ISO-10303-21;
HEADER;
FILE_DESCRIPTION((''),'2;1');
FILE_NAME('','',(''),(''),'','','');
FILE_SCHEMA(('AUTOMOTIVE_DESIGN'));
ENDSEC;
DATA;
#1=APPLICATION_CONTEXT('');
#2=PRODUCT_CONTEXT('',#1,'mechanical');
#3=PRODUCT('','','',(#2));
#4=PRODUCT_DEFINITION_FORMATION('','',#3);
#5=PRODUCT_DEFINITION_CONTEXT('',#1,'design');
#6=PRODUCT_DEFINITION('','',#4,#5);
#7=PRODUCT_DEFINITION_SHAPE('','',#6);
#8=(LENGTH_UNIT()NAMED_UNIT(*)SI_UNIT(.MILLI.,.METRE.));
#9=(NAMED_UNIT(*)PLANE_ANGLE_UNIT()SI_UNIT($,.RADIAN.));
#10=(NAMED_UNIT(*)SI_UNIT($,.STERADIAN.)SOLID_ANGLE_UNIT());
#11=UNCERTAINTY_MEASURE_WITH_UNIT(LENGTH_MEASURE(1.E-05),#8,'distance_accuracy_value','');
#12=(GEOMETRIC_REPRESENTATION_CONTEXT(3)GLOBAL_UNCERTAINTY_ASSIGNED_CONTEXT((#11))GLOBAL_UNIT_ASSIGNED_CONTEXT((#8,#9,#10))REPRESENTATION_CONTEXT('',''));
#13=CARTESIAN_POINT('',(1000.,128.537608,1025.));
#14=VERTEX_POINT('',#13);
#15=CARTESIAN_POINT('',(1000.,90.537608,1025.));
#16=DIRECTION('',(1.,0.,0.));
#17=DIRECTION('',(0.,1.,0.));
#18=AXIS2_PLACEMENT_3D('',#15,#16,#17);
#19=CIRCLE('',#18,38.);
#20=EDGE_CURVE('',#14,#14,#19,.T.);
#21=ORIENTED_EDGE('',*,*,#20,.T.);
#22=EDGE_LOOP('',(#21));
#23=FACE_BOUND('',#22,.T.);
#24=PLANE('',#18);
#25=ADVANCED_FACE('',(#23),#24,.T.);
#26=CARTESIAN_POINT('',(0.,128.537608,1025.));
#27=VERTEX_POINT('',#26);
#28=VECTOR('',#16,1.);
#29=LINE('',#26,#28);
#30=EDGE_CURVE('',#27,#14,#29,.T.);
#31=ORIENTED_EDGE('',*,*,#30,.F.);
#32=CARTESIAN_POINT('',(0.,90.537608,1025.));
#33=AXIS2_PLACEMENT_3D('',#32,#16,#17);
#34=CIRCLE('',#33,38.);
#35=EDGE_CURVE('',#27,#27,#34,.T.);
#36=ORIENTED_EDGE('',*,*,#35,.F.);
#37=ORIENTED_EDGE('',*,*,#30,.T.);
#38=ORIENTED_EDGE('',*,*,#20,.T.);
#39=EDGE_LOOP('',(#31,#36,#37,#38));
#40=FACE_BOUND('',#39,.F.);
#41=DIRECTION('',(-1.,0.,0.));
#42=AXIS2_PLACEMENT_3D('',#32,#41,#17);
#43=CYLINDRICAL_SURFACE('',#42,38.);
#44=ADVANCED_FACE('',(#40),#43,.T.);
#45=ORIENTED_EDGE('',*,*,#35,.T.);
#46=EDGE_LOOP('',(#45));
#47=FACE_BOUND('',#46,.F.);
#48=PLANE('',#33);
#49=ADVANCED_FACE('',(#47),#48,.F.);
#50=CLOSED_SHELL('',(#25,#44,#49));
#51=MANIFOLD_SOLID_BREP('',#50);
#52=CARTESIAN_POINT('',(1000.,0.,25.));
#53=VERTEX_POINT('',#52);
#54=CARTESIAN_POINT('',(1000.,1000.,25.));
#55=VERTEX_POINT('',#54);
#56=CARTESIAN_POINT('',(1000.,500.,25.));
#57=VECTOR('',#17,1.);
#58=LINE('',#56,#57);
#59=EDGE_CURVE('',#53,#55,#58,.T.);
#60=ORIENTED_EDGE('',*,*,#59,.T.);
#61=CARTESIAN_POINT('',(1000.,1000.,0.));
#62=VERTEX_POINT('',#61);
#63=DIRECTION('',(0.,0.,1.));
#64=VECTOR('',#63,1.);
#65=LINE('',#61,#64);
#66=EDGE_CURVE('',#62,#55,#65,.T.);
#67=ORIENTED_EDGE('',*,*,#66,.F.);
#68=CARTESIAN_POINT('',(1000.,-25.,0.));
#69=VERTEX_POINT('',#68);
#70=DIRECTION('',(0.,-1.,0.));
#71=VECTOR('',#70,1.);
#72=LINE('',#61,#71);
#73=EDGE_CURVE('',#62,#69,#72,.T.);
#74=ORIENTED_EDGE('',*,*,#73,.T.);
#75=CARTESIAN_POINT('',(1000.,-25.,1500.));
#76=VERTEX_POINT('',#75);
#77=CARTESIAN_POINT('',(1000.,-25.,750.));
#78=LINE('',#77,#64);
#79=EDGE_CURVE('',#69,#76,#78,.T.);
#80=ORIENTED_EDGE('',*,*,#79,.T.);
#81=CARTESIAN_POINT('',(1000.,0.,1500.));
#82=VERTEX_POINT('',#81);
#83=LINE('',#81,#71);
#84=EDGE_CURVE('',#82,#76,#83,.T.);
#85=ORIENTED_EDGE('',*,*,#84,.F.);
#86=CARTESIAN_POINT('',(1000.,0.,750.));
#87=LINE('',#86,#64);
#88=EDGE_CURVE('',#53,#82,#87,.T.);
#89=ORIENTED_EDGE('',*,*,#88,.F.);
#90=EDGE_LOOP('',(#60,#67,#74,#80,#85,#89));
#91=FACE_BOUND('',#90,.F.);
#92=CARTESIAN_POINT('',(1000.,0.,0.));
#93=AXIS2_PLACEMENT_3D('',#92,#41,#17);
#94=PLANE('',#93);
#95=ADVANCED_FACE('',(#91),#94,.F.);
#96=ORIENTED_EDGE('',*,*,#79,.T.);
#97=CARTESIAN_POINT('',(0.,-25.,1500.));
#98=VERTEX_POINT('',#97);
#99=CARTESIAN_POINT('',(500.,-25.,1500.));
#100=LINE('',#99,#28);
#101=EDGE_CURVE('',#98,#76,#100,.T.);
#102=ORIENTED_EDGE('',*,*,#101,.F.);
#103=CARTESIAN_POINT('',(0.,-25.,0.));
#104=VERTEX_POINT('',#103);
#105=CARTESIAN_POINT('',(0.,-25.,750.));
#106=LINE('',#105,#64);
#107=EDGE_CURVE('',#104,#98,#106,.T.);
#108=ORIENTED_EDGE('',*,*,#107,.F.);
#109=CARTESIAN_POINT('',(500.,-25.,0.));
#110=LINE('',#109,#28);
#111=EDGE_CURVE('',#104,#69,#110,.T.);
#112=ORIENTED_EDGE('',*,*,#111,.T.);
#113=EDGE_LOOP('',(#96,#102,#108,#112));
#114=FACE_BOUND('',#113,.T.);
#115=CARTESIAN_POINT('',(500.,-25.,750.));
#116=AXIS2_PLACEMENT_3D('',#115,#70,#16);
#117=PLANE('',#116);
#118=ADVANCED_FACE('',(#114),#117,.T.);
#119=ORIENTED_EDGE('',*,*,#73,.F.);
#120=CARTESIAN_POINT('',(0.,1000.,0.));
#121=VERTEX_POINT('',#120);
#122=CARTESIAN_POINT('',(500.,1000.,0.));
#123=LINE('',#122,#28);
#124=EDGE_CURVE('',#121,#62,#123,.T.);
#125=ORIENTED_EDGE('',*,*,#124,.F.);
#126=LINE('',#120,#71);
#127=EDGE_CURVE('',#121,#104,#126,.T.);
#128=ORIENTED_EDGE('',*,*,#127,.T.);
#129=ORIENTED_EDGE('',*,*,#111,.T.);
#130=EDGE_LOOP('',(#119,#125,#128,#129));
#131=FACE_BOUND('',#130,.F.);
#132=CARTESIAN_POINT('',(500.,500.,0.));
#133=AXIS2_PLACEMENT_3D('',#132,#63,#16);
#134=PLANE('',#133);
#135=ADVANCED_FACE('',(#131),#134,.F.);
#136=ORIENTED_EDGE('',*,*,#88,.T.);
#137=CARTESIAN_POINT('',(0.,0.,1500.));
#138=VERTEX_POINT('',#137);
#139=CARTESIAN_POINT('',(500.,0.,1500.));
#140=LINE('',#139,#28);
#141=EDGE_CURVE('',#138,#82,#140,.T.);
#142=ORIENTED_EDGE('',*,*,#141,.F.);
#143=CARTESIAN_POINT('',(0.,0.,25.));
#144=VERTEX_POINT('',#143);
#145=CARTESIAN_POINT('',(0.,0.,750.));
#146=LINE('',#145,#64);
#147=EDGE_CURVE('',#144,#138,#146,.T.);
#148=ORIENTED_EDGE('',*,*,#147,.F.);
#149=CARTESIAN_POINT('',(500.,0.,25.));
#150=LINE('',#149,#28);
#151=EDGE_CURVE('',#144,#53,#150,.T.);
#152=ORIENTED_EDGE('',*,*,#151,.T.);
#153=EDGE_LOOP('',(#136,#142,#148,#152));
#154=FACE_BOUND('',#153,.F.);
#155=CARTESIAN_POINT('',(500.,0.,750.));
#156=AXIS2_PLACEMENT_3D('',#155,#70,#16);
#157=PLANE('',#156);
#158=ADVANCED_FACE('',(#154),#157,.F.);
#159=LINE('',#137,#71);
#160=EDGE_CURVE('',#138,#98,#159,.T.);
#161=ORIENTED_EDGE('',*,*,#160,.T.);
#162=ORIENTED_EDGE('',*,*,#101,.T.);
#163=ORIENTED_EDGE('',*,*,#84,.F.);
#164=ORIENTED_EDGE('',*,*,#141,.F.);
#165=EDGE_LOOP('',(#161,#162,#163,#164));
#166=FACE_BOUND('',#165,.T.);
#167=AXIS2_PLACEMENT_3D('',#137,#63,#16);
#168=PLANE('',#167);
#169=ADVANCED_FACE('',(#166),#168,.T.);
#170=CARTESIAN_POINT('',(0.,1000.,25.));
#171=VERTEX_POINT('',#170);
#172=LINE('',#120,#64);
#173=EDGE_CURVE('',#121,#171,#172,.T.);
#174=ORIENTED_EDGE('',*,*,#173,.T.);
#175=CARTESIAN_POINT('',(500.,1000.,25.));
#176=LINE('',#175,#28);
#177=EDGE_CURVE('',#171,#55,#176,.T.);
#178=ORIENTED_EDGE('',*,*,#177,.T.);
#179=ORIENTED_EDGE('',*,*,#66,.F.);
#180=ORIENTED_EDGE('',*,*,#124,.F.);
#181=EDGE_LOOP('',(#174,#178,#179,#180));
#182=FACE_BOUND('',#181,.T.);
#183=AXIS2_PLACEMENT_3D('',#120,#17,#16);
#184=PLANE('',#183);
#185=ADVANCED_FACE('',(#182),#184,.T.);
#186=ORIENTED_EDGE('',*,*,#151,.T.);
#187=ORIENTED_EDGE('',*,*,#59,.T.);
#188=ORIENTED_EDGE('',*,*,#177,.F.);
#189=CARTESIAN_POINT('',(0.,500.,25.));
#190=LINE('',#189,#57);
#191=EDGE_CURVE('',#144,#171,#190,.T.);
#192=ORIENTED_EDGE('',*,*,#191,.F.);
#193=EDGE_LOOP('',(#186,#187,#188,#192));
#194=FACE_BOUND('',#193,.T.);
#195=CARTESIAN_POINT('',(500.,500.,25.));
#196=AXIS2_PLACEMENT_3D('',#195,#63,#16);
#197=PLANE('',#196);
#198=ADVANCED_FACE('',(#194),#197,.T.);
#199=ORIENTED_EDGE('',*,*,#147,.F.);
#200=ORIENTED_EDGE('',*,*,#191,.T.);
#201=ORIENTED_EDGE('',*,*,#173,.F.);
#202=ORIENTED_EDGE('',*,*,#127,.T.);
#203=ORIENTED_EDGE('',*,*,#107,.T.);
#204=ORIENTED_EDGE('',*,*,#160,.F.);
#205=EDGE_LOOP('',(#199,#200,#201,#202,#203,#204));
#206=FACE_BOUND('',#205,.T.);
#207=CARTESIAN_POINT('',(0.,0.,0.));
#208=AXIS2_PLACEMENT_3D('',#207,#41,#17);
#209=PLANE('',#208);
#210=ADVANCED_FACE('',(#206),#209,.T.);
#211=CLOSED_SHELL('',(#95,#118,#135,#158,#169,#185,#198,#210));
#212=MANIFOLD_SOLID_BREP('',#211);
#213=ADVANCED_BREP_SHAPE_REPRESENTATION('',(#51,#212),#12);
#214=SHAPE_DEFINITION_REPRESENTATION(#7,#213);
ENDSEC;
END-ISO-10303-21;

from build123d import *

# Parameters (mm, degrees)
F0_W     = 1000
F0_H     = 1500
F1_DEPTH = 25
F2_W     = 1000
F2_H     = 1000
F3_DEPTH = 25
F4_R     = 38
F5_DEPTH = 1000


with BuildPart() as f1:
    # F0 (on Front) → F1 (new body)
    with BuildSketch(Plane.XZ):
        with Locations((500, 750)):
            Rectangle(F0_W, F0_H)
    extrude(amount=F1_DEPTH)

    # F2 (on Top) → F3 (join)
    with BuildSketch(Plane.XY):
        with Locations((500, 500)):
            Rectangle(F2_W, F2_H)
    extrude(amount=F3_DEPTH)


with BuildPart() as f5:
    # F4 (on Right) → F5 (new body)
    with BuildSketch(Plane.YZ):
        with Locations((90.537608, 1025)):
            Circle(F4_R)
    extrude(amount=F5_DEPTH)


solid = Compound([f1.part, f5.part])
